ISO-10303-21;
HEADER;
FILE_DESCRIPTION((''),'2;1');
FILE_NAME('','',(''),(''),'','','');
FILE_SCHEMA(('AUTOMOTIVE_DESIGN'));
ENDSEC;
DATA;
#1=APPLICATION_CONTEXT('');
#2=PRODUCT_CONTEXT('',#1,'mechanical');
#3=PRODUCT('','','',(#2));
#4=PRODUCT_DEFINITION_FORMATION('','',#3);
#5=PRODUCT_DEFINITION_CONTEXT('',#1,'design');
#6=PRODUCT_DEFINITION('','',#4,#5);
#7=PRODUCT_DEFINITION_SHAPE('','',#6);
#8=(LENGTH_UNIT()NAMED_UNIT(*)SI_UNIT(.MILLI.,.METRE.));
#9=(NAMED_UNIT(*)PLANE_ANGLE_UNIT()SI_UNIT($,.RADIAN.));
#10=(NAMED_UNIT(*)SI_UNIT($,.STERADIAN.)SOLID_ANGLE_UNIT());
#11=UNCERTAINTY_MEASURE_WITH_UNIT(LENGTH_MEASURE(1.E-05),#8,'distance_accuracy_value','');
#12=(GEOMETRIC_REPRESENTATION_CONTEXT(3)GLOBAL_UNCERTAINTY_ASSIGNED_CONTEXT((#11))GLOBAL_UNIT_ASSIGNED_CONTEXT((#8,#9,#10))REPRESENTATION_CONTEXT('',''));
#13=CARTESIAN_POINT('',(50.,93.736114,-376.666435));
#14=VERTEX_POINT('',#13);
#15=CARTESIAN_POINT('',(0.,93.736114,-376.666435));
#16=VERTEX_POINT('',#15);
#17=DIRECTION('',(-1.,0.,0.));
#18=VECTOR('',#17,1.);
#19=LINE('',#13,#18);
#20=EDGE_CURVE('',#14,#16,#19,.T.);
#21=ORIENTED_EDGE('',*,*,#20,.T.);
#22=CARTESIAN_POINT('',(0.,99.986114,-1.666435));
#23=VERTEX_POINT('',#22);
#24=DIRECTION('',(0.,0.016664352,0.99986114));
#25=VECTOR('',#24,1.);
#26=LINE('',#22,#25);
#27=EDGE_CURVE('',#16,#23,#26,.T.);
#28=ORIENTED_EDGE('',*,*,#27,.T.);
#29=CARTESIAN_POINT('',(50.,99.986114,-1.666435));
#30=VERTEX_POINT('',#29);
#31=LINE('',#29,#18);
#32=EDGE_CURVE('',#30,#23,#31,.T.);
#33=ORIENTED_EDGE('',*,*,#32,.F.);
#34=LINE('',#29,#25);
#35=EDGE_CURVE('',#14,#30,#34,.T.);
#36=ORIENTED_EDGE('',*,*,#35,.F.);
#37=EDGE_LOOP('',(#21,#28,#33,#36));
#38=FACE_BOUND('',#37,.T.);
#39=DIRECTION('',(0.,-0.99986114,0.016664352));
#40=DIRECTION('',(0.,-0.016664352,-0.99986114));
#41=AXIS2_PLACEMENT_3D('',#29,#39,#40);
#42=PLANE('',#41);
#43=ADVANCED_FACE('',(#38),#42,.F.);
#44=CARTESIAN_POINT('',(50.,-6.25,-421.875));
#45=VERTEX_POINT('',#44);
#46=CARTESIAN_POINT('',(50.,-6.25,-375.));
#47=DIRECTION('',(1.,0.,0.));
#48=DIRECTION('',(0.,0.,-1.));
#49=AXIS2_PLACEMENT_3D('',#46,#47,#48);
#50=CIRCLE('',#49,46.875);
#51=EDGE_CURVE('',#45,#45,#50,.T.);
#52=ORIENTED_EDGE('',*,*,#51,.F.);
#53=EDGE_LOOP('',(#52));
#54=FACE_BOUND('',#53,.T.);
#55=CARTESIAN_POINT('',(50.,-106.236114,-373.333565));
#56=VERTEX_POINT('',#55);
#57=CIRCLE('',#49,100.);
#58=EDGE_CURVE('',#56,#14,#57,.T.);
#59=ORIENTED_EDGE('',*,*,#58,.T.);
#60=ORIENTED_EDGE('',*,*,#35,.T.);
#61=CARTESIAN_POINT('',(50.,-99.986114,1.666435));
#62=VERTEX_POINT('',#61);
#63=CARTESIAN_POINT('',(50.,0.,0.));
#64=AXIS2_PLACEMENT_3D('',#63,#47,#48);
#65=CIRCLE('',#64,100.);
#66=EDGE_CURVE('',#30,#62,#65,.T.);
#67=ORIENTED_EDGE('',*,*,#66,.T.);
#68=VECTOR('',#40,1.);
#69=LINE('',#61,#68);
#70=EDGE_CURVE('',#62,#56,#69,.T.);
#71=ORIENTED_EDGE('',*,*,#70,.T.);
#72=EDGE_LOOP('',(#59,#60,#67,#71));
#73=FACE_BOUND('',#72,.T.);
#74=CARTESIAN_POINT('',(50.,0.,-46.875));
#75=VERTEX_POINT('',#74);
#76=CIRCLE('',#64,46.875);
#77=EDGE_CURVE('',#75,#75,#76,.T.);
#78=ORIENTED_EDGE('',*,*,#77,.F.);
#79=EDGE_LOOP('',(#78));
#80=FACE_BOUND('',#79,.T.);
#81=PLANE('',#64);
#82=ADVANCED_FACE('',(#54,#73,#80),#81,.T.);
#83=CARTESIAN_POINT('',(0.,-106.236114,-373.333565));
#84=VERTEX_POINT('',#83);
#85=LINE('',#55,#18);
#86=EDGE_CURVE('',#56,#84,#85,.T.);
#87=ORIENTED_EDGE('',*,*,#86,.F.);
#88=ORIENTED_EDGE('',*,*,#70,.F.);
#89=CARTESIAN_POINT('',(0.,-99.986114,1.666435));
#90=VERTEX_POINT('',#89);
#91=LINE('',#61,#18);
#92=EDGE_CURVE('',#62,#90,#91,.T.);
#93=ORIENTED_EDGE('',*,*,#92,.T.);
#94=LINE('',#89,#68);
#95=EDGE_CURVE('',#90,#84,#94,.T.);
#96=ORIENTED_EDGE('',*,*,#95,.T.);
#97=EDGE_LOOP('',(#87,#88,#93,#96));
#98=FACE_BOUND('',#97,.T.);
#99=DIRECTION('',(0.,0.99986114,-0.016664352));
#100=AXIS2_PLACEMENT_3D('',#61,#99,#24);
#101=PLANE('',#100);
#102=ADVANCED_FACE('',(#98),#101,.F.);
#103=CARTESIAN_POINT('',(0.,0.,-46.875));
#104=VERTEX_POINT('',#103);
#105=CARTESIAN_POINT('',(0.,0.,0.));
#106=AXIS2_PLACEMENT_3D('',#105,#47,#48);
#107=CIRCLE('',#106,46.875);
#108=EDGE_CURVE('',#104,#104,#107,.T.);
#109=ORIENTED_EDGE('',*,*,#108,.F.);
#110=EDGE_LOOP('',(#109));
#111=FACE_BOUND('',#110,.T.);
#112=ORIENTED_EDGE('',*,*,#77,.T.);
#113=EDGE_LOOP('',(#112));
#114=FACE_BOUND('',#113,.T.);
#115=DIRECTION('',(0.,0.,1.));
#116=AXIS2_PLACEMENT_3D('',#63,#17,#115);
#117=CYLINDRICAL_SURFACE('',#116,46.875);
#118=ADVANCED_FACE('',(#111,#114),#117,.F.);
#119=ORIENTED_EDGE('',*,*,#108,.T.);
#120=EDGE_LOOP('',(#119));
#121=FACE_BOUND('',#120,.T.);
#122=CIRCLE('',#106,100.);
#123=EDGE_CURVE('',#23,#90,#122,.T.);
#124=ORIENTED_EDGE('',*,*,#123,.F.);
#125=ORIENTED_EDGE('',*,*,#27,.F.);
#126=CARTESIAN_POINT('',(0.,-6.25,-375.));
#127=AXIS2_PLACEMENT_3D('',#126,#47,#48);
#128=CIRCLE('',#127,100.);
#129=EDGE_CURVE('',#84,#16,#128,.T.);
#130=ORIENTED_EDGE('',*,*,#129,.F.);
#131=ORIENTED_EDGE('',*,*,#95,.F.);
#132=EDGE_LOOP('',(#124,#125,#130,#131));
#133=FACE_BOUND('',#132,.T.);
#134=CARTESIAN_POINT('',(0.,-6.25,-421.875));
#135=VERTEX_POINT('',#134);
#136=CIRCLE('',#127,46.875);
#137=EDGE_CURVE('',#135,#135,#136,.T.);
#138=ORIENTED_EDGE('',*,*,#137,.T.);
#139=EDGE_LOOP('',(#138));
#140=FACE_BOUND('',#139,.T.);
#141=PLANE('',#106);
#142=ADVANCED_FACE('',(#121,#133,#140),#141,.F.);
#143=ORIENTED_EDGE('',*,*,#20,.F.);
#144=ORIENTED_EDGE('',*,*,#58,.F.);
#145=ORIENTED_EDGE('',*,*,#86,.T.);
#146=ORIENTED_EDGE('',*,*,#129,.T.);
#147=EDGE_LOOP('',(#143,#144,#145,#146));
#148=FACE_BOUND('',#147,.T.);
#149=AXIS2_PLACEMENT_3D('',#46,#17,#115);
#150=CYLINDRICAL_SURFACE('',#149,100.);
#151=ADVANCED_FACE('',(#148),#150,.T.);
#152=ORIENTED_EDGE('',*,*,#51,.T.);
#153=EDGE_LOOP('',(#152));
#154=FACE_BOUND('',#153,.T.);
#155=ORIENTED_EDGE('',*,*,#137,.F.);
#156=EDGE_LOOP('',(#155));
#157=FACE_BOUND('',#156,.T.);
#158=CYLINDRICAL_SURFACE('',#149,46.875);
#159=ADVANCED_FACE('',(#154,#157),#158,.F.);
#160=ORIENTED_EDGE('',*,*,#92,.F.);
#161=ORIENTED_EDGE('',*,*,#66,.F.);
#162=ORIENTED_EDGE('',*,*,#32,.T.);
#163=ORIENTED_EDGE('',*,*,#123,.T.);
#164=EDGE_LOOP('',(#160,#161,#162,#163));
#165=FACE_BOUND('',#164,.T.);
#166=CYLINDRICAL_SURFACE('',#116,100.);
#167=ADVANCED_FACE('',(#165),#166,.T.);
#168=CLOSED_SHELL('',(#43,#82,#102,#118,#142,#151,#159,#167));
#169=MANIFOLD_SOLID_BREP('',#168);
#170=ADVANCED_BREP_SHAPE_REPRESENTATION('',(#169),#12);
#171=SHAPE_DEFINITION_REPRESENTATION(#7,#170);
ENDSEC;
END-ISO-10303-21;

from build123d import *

# Parameters (mm, degrees)
SKETCH1_R           = 46.875
BOSS_EXTRUDE1_DEPTH = 50


with BuildPart() as part:
    # Sketch1 → Boss-Extrude1 (new body)
    with BuildSketch(Plane(origin=(0, 0, 0), x_dir=(0, 0, -1), z_dir=(1, 0, 0))):
        with BuildLine():
            Line((1.666435233, 99.986114004), (376.666435233, 93.736114004))
            ThreePointArc((376.666435233, 93.736114004), (474.986114004, -7.916435233), (373.333564767, -106.236114004))
            Line((373.333564767, -106.236114004), (-1.666435233, -99.986114004))
            ThreePointArc((-1.666435233, -99.986114004), (-99.986114004, 1.666435233), (1.666435233, 99.986114004))
        make_face()
        Circle(SKETCH1_R, mode=Mode.SUBTRACT)
        with Locations((375, -6.25)):
            Circle(SKETCH1_R, mode=Mode.SUBTRACT)
    extrude(amount=BOSS_EXTRUDE1_DEPTH)


solid = part.part
